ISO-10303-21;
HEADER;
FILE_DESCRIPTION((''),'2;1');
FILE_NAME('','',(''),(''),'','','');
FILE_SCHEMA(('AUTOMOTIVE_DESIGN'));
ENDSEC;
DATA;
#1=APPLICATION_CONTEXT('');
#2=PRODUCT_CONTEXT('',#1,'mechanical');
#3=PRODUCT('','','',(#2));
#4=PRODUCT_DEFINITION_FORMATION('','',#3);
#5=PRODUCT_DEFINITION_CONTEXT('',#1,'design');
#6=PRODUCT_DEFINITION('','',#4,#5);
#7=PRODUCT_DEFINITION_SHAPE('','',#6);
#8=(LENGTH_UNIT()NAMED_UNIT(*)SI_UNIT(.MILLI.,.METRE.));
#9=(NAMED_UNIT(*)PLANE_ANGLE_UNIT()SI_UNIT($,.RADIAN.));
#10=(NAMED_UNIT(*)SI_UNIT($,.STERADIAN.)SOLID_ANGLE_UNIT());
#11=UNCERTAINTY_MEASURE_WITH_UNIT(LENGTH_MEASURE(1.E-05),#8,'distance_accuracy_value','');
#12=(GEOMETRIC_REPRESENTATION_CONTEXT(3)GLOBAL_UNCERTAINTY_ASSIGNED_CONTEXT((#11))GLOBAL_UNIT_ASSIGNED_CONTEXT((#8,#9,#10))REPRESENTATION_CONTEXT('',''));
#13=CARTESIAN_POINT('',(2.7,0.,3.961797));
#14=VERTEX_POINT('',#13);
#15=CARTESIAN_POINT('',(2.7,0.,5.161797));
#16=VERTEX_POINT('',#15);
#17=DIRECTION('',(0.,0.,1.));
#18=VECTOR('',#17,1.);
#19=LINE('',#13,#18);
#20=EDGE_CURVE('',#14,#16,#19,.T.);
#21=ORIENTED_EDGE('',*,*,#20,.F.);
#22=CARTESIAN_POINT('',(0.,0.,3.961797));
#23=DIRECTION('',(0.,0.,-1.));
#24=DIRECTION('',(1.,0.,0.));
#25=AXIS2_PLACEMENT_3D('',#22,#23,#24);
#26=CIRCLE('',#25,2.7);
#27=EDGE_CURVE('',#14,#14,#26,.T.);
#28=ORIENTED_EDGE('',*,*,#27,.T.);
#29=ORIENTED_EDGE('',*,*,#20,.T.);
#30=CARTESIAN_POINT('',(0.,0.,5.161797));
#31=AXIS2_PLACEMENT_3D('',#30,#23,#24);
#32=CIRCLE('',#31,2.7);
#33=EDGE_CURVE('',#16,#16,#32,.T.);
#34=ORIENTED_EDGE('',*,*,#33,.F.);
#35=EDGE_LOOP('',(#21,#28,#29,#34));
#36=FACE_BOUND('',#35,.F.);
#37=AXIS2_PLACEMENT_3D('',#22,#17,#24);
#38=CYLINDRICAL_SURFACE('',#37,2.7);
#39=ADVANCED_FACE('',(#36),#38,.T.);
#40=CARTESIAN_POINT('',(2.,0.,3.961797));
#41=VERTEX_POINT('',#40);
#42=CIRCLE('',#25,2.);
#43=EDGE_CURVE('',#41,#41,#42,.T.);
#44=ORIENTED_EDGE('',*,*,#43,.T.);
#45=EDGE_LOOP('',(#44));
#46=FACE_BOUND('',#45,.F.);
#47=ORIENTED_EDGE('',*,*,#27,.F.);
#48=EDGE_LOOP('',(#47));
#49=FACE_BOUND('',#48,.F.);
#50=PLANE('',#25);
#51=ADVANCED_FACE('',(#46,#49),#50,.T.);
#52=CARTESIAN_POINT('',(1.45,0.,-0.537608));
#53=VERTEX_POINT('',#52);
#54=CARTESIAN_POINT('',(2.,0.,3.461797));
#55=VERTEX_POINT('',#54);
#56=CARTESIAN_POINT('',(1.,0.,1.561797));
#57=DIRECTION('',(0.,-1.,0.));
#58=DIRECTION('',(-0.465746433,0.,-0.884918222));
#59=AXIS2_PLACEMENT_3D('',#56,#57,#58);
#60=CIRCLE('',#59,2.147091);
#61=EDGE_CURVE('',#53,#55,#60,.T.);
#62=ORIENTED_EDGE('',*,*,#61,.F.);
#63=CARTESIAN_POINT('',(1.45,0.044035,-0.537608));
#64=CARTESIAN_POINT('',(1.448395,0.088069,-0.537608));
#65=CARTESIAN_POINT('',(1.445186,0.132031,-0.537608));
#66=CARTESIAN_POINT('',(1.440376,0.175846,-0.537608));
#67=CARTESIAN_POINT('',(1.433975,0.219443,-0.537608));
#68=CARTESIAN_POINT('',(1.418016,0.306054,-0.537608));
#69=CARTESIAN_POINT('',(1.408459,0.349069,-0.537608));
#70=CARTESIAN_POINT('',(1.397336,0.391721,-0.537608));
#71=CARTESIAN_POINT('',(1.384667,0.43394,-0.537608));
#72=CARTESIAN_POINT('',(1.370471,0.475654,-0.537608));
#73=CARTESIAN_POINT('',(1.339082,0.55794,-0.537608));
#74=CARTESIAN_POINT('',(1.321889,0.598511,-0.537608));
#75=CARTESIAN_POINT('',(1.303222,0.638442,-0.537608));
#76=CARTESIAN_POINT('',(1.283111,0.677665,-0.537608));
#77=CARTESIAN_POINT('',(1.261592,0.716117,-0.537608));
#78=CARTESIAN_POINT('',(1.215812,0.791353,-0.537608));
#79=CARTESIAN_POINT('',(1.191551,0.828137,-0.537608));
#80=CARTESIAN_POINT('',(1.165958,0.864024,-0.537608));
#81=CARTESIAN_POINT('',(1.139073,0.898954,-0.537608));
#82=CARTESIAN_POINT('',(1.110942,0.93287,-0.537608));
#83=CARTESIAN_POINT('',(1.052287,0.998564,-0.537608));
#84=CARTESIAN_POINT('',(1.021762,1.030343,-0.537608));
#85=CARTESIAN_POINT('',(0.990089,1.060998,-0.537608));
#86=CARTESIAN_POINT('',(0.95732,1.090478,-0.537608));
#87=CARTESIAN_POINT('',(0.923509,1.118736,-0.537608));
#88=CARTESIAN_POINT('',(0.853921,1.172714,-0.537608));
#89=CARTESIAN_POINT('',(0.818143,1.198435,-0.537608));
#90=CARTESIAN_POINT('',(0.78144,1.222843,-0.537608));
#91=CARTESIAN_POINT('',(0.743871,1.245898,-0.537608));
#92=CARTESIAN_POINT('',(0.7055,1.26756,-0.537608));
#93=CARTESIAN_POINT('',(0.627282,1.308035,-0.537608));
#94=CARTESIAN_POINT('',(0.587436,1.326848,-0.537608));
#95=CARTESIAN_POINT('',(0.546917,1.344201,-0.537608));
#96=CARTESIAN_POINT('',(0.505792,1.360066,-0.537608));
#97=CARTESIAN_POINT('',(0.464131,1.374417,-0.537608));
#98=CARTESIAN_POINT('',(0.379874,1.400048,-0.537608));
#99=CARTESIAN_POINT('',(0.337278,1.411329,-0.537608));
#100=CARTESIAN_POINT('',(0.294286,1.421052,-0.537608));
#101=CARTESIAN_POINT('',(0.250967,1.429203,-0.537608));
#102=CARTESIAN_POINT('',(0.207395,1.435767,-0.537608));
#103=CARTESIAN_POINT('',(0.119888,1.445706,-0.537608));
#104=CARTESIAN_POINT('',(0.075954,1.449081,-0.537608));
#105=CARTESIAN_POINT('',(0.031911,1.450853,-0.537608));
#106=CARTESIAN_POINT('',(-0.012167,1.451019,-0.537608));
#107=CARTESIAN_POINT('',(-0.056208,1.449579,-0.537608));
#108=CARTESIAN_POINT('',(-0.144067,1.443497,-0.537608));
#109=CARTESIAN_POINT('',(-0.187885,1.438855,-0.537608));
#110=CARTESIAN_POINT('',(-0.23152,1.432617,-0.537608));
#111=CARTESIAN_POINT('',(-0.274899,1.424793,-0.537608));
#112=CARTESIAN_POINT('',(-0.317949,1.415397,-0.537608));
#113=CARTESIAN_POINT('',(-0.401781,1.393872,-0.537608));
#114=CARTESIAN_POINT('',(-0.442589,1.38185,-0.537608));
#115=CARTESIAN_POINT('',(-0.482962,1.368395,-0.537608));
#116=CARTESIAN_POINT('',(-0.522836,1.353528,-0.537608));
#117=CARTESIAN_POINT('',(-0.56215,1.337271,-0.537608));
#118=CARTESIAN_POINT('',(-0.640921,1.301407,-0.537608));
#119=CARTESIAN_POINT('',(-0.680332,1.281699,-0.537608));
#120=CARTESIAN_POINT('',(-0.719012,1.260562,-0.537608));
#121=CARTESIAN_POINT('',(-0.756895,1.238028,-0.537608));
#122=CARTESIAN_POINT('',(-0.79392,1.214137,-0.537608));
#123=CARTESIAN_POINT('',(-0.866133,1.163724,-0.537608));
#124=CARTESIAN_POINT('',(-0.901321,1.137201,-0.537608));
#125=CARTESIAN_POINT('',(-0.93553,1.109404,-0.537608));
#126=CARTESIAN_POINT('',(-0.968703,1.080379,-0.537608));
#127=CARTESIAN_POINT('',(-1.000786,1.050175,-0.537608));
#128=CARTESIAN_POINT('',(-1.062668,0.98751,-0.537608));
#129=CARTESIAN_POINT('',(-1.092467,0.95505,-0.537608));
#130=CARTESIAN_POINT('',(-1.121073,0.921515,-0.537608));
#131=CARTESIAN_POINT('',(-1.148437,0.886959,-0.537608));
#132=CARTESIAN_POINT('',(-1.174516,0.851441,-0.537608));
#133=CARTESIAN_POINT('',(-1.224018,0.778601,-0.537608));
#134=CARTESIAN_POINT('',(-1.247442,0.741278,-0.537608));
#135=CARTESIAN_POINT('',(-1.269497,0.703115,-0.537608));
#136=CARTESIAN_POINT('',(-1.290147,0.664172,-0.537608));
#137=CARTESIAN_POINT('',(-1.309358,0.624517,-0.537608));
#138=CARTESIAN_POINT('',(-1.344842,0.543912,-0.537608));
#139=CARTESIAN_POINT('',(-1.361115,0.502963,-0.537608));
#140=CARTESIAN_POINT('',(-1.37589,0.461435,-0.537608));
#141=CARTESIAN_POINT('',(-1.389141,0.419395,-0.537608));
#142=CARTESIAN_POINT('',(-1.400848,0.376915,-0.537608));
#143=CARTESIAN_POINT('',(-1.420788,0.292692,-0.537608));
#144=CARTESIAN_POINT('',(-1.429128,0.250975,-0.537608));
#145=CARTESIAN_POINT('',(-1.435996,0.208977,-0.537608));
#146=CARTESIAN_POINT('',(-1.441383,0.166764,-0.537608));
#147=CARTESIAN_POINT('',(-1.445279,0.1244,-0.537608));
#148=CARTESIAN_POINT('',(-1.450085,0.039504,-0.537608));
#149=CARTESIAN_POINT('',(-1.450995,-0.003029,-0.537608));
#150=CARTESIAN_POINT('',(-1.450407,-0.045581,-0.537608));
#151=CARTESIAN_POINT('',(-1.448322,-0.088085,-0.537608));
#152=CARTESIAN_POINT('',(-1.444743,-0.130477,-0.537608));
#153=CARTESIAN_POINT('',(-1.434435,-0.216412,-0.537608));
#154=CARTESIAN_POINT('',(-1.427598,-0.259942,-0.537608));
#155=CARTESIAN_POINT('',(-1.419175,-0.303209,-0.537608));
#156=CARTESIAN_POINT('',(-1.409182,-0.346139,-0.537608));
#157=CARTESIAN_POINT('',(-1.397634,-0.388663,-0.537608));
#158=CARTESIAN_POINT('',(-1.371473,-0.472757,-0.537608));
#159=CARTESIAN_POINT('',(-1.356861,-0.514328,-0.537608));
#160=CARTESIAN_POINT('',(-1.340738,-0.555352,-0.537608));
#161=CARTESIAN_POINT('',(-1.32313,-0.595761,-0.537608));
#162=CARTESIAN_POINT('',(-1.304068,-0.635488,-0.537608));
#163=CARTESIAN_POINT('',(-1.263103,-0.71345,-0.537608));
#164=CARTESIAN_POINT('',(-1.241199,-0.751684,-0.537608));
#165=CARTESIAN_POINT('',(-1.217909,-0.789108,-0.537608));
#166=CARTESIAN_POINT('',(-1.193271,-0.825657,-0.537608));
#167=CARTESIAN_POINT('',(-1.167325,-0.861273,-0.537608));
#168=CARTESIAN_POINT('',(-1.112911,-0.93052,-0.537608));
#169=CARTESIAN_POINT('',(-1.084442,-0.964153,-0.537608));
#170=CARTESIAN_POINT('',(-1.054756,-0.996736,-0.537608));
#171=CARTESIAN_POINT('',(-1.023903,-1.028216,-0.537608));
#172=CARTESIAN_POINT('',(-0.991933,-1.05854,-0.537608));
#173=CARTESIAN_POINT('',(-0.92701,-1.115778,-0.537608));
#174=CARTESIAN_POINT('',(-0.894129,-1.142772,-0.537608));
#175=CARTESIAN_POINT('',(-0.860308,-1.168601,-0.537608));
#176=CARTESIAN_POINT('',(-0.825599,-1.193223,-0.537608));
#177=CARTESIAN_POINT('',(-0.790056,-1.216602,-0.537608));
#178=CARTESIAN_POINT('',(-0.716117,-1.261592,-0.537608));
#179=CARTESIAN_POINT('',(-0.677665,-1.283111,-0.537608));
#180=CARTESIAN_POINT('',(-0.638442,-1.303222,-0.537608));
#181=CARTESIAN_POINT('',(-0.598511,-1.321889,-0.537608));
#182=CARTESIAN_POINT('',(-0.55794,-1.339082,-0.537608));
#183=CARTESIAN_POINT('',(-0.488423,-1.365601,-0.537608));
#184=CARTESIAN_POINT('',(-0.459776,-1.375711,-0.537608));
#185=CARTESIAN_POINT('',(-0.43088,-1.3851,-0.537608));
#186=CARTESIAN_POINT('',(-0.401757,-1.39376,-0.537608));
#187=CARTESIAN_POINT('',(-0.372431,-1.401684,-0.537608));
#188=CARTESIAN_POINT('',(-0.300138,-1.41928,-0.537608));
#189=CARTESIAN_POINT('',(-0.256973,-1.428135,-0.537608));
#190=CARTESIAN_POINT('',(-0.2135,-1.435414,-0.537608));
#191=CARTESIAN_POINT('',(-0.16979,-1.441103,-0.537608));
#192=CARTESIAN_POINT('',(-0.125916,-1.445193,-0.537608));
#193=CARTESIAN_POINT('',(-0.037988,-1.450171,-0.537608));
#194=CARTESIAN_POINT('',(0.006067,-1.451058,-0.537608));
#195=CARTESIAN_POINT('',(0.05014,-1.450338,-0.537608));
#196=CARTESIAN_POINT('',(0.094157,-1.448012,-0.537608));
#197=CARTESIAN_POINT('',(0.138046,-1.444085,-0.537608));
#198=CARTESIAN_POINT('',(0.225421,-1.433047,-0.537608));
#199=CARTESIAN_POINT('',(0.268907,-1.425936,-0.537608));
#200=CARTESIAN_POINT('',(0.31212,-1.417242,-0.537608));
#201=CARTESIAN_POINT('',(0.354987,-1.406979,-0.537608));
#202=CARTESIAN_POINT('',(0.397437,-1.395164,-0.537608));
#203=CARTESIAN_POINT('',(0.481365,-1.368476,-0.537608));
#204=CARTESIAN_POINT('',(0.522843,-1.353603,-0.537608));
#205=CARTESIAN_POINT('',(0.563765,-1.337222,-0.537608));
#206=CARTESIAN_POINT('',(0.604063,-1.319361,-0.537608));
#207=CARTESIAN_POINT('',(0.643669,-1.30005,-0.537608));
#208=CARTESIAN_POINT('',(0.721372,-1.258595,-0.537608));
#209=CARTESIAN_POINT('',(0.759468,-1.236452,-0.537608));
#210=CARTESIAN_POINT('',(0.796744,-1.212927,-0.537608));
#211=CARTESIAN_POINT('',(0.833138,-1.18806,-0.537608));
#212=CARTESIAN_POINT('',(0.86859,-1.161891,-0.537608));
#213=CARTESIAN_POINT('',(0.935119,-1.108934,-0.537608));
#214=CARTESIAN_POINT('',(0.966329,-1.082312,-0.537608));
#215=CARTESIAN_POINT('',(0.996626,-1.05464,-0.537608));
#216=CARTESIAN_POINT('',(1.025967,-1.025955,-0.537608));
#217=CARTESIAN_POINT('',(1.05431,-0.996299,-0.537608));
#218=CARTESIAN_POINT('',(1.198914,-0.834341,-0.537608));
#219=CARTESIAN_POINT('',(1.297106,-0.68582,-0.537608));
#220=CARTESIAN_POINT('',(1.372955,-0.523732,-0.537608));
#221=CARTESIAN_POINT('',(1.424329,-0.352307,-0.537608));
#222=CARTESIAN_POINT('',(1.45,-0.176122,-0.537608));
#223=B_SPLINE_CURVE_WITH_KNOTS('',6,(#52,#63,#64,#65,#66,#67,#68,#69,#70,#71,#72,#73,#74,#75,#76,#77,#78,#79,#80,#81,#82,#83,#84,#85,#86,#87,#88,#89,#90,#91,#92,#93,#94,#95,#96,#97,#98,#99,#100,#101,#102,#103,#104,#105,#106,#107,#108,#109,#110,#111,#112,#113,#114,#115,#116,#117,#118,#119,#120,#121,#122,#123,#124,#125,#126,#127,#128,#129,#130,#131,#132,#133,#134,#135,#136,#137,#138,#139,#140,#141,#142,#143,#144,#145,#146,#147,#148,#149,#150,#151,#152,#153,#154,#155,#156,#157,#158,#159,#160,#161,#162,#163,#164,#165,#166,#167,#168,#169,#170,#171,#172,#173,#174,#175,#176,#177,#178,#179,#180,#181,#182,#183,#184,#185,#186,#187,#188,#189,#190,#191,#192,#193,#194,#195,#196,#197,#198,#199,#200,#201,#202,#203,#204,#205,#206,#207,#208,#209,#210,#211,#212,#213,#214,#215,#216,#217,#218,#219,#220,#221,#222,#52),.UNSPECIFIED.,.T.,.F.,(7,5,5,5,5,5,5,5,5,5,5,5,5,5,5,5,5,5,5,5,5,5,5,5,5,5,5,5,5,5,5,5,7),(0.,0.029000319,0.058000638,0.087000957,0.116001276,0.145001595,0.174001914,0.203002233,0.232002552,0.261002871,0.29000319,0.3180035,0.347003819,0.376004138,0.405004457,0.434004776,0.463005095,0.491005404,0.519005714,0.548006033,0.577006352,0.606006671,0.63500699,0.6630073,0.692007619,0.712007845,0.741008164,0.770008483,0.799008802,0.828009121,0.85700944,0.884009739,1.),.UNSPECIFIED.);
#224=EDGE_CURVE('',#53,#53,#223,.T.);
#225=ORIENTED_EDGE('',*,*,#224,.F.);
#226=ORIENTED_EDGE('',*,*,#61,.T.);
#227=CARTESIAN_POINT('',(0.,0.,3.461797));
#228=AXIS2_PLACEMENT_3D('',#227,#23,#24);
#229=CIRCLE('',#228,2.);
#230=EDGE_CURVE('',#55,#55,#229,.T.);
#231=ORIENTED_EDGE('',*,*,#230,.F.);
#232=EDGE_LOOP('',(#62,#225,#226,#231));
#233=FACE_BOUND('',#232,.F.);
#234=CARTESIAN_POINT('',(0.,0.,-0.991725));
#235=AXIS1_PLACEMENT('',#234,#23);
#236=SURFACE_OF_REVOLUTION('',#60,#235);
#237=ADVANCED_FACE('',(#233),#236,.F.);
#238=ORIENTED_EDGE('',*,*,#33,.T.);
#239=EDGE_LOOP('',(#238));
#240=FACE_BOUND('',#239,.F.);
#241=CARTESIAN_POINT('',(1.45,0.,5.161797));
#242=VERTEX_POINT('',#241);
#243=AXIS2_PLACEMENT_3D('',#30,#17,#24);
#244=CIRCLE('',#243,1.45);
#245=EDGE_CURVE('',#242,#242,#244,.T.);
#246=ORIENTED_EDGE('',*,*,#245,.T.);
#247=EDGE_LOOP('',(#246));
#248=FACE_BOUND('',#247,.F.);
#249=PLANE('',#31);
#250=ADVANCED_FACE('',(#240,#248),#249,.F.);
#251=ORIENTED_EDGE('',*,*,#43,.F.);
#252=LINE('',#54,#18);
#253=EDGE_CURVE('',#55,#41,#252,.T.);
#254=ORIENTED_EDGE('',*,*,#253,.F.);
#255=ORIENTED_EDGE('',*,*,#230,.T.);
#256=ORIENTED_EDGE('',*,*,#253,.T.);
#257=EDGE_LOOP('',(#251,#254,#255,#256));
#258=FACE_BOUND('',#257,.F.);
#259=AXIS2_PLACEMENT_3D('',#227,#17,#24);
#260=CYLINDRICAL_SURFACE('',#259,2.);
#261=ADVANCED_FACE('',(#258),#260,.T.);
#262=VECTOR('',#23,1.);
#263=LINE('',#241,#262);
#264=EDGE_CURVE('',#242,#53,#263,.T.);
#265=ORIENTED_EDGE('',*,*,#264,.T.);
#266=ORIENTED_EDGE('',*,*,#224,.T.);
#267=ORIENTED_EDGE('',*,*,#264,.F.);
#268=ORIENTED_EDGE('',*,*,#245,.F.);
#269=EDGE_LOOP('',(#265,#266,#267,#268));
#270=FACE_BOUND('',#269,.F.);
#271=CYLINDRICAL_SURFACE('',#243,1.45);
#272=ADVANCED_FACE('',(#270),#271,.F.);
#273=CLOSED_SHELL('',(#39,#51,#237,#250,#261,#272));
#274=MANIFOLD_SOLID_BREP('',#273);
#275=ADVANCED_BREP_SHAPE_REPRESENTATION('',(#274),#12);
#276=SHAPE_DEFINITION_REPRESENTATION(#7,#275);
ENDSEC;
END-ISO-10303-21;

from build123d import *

# Parameters (mm, degrees)
F2_R     = 1.45
F3_DEPTH = 5.748091


with BuildPart() as f1:
    # F0 (on Front) → F1 (revolve)
    with BuildSketch(Plane.XZ):
        with BuildLine():
            Line((2.7, 5.161797), (0, 5.161797))
            Line((0, 5.161797), (0, -0.338203))
            ThreePointArc((0, -0.338203), (2.9, 0.561797), (2, 3.461797))
            Line((2, 3.461797), (2, 3.961797))
            Line((2, 3.961797), (2.7, 3.961797))
            Line((2.7, 3.961797), (2.7, 5.161797))
        make_face()
    revolve(axis=Axis((0, 0, -0.991725), (0, 0, -1)))

    # F2 (on face) → F3 (cut, through all)
    with BuildSketch(Plane.XY.offset(5.161797)):
        Circle(F2_R)
    extrude(amount=-F3_DEPTH, mode=Mode.SUBTRACT)


solid = f1.part
